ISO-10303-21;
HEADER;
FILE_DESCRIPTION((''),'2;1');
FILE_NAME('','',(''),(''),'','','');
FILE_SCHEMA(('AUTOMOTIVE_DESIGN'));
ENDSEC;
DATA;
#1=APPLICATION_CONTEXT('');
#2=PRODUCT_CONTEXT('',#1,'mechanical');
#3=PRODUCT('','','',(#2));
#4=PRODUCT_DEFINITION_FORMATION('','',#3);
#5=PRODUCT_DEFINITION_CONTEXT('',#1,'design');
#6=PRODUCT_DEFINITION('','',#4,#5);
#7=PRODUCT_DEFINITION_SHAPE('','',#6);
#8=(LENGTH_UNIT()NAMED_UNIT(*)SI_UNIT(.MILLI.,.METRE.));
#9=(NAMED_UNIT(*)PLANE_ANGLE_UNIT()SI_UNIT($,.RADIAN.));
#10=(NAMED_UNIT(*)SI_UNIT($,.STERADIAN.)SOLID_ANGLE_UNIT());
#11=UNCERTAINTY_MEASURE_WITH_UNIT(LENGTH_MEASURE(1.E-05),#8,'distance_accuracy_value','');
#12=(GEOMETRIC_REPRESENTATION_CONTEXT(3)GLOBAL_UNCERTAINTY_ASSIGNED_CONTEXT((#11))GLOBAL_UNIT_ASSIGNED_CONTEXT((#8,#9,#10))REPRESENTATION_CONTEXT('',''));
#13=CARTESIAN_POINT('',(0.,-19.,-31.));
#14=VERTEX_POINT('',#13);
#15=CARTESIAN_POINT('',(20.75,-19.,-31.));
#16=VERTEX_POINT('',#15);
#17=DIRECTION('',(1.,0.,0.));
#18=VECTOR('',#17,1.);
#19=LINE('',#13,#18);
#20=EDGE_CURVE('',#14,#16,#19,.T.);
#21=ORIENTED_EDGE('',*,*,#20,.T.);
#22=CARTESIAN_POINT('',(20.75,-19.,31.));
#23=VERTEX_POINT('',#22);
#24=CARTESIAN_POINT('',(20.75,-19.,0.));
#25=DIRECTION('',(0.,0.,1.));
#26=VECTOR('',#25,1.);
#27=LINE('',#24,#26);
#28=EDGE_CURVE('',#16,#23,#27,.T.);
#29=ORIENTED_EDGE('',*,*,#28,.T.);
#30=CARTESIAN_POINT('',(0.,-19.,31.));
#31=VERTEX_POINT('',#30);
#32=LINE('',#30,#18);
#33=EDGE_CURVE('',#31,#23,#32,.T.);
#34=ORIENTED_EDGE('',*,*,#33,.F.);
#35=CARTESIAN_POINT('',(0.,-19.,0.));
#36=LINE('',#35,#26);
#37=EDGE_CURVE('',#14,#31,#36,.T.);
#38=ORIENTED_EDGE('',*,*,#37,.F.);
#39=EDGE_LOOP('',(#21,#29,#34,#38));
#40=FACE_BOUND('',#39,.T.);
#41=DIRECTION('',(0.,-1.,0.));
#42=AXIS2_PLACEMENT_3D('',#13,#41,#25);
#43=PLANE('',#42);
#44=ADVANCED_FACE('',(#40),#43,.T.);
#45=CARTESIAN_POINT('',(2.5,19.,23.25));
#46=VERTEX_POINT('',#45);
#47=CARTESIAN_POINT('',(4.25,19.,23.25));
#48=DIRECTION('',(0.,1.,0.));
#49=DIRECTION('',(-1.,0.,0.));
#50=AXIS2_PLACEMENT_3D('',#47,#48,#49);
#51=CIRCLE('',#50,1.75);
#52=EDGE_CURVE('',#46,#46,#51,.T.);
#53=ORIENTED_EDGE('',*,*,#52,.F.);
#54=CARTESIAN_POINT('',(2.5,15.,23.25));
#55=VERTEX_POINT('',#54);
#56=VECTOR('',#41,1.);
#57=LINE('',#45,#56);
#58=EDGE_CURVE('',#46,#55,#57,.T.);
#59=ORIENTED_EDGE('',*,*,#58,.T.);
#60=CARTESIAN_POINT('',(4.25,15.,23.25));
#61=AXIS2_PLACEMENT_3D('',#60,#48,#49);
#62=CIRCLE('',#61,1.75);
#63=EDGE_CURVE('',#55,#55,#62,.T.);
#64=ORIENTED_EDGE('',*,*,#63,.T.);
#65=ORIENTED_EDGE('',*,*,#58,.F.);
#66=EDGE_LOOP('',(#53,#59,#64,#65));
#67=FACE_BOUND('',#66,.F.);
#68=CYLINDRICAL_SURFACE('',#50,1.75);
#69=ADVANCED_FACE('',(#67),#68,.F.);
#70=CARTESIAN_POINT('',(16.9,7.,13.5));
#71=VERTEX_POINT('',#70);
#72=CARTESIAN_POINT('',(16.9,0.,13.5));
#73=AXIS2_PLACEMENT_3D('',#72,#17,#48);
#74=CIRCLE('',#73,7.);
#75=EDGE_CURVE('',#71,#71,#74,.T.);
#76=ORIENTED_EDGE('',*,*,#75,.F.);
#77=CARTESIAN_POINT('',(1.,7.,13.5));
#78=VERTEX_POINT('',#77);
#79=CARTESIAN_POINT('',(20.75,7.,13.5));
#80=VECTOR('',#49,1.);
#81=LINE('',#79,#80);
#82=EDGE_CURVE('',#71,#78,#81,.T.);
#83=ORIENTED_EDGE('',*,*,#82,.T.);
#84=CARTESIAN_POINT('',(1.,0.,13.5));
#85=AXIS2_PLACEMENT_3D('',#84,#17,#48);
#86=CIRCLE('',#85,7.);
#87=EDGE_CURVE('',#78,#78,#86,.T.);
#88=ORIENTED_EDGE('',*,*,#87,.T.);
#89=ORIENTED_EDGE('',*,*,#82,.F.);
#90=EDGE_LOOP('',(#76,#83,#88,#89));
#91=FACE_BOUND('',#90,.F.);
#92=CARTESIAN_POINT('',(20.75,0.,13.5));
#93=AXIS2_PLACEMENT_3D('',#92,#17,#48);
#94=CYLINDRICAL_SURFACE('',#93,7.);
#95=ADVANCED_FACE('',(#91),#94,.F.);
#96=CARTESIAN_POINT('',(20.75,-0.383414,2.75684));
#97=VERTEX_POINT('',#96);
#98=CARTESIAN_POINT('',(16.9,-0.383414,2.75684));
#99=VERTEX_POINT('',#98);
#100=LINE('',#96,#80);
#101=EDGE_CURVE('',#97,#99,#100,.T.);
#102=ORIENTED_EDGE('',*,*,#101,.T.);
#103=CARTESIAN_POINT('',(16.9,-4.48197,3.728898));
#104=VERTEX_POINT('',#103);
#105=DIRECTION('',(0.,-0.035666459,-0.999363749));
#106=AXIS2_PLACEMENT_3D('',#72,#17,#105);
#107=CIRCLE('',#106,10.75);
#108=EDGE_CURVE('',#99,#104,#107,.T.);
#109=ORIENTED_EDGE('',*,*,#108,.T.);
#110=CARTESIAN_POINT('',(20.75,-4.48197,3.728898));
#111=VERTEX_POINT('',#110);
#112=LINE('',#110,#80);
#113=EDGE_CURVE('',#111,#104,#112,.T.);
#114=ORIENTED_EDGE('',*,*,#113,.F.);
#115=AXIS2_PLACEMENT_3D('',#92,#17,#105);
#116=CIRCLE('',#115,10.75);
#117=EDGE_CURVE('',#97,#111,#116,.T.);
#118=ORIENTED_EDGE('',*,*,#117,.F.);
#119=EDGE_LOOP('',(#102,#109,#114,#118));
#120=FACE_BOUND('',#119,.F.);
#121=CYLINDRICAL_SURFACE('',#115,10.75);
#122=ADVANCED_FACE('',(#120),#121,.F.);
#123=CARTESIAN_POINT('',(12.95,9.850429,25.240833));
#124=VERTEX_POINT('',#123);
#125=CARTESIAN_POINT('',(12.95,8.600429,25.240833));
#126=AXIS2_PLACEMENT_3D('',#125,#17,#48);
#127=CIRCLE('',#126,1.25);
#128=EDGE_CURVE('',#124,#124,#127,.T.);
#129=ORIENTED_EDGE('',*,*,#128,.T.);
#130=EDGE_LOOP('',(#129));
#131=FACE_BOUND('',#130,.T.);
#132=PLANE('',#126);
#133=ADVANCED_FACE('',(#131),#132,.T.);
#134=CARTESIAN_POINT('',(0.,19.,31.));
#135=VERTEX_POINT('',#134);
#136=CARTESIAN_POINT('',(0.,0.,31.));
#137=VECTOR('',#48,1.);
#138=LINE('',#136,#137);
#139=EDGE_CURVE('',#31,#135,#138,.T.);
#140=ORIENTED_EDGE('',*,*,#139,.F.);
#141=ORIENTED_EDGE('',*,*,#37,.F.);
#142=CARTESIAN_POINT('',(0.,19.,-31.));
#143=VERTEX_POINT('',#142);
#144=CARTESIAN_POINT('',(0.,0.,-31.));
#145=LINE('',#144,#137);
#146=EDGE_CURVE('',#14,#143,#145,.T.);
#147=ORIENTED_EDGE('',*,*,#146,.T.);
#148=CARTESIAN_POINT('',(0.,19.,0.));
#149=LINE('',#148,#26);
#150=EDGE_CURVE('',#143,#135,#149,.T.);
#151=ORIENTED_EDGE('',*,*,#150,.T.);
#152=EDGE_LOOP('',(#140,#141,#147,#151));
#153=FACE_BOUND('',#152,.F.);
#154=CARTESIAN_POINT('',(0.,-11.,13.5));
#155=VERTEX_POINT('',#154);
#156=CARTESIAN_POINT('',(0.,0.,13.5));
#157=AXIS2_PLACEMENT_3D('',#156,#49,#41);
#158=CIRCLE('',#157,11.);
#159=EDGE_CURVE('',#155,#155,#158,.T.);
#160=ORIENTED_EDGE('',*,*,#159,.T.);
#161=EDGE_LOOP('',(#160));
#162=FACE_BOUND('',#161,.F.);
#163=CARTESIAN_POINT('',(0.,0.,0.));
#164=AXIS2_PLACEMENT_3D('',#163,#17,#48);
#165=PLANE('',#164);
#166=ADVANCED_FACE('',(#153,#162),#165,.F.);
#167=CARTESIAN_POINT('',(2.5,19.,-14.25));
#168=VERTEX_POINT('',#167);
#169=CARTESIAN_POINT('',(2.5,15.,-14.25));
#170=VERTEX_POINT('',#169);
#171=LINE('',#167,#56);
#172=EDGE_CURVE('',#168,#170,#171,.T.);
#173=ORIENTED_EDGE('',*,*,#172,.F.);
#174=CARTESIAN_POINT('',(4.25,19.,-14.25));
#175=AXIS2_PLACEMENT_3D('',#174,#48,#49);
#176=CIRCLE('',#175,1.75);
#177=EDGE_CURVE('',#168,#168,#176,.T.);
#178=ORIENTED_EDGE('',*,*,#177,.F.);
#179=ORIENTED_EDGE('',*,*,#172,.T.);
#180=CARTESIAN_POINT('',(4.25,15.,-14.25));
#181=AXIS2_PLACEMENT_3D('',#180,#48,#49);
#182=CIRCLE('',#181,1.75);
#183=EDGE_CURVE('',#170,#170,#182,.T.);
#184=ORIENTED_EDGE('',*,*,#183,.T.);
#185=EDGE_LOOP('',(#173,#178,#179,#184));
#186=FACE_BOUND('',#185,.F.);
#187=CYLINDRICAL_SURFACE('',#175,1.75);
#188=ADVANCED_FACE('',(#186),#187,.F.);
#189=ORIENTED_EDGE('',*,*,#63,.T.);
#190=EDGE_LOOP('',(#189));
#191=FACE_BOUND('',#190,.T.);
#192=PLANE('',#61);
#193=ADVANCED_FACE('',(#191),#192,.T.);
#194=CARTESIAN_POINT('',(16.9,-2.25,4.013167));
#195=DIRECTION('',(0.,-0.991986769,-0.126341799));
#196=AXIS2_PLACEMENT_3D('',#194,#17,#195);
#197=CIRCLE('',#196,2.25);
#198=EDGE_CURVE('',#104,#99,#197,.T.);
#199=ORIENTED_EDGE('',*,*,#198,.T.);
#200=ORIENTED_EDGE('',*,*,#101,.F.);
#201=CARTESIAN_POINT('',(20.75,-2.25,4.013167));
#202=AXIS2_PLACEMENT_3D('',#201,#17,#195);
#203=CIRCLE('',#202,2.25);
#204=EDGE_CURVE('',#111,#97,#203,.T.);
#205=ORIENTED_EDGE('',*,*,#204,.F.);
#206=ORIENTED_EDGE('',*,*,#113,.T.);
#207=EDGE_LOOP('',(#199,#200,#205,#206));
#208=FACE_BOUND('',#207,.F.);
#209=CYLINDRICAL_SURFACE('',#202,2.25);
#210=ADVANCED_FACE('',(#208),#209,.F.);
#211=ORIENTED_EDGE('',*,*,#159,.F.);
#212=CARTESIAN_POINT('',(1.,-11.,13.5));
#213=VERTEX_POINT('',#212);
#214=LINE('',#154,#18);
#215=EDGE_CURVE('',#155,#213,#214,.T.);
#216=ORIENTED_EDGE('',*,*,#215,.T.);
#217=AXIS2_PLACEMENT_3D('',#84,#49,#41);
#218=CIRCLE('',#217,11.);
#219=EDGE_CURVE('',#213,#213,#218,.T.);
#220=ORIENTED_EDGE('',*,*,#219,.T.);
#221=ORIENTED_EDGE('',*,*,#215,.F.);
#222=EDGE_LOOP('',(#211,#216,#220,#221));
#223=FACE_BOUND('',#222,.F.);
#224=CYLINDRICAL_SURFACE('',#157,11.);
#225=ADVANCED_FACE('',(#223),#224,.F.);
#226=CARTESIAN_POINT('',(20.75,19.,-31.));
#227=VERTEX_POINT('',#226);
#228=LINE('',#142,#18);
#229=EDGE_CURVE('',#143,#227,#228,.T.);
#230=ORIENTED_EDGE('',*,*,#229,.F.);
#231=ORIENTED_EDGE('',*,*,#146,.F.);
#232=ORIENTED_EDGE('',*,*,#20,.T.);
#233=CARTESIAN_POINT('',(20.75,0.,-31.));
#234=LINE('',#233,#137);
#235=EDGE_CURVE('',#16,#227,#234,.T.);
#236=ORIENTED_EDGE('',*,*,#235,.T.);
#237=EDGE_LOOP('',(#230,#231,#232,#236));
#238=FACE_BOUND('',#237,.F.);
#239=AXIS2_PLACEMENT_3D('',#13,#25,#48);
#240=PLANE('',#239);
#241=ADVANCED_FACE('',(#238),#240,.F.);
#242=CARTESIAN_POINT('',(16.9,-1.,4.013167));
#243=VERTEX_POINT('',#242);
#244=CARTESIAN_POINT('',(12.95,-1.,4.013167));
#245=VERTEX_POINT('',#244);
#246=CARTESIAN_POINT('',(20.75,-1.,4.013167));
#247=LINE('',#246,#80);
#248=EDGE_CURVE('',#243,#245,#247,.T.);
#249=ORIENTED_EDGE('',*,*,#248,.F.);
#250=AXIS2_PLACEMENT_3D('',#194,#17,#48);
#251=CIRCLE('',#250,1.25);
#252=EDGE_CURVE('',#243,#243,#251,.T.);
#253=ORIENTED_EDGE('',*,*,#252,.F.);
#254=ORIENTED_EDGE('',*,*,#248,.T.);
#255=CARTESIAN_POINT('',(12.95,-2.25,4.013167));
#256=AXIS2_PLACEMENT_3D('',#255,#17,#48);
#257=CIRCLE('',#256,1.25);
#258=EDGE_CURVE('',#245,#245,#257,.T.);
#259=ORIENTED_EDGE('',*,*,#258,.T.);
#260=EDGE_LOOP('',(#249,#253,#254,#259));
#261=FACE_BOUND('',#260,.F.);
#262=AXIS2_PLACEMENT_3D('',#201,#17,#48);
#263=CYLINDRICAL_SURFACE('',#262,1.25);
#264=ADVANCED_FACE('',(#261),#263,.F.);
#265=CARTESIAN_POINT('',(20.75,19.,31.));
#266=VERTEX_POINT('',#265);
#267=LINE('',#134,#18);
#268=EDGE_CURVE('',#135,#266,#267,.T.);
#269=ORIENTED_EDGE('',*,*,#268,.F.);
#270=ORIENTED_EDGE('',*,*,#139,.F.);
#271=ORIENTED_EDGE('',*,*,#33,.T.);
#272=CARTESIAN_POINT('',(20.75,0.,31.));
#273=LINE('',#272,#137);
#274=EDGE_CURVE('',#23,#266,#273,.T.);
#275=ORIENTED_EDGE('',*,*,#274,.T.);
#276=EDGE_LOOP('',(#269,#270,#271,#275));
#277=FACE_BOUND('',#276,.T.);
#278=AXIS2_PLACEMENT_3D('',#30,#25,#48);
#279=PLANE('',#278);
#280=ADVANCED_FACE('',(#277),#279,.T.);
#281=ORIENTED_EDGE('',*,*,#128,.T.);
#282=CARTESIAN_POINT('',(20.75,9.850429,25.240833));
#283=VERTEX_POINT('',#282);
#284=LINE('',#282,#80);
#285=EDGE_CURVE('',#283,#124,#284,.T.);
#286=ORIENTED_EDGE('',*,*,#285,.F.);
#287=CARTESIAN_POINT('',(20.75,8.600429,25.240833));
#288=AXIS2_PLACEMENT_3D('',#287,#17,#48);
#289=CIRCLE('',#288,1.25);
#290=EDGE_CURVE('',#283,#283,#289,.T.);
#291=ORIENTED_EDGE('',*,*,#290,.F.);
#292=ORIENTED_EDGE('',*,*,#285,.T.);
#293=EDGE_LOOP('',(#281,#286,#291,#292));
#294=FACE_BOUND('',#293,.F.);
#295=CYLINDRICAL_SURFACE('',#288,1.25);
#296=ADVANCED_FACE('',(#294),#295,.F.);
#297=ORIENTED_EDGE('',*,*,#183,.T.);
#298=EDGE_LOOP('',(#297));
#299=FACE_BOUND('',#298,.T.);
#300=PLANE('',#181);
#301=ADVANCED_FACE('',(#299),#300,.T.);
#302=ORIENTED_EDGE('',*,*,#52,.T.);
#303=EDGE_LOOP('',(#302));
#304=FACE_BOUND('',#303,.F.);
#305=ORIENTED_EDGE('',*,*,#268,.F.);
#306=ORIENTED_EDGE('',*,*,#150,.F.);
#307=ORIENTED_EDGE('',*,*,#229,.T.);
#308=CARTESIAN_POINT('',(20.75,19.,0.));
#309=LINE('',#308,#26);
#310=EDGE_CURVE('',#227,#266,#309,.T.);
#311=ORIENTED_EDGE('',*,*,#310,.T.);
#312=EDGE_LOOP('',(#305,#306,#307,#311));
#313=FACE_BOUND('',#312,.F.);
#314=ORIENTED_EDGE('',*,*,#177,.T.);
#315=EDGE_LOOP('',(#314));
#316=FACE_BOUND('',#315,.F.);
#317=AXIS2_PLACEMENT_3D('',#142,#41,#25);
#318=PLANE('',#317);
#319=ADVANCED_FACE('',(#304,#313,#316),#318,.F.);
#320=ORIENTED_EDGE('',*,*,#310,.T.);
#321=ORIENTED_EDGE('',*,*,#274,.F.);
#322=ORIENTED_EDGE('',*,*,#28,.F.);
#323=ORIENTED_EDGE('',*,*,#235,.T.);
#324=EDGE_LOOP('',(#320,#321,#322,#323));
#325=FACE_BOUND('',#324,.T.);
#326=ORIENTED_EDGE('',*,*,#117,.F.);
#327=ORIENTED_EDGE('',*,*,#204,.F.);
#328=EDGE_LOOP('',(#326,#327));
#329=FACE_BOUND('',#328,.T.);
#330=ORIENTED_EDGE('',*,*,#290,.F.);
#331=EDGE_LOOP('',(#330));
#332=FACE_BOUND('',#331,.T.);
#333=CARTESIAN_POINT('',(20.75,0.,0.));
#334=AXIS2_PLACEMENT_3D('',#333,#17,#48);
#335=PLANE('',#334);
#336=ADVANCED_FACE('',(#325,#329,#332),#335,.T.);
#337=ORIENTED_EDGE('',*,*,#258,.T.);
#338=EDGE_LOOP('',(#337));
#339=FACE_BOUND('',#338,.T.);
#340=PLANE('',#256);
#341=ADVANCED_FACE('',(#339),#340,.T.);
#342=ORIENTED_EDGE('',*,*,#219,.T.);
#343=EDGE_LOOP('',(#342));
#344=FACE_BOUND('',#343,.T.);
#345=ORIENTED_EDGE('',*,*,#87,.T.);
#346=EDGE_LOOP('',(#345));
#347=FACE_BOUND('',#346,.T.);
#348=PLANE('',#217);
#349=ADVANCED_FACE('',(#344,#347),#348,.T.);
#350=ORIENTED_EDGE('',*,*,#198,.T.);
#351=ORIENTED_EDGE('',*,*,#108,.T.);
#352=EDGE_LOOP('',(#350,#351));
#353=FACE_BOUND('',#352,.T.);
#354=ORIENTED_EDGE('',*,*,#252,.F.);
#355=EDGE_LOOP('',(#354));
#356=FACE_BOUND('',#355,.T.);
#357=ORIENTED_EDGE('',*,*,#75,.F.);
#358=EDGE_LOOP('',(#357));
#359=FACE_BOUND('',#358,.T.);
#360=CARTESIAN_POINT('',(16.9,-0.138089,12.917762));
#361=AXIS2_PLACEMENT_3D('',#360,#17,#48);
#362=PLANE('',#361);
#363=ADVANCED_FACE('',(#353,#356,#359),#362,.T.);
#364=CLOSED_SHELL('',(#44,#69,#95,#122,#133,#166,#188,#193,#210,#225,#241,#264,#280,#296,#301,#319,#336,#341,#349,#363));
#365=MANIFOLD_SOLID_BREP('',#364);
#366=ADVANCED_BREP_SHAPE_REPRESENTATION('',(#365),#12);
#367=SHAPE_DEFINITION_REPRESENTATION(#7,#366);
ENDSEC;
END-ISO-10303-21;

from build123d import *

# Parameters (mm, degrees)
F0_W     = 38
F0_H     = 62
F1_DEPTH = 20.75
F2_R     = 1.25
F2_R_2   = 7
F3_DEPTH = 3.85
F4_DEPTH = 7.8
F5_DEPTH = 20.751
F6_R     = 11
F6_R_2   = 7
F7_DEPTH = 1
F8_R     = 1.75
F9_DEPTH = 4


with BuildPart() as f1:
    # F0 (on Right) → F1 (new body)
    with BuildSketch(Plane.YZ):
        Rectangle(F0_W, F0_H)
    extrude(amount=F1_DEPTH)

    # F2 (on face) → F3 (cut)
    with BuildSketch(Plane.YZ.offset(20.75)):
        with BuildLine():
            ThreePointArc((-4.48197, 3.728898), (-2.769231, 1.823898), (-0.383414, 2.75684))
            ThreePointArc((-0.383414, 2.75684), (2.480769, 23.959841), (-4.48197, 3.728898))
        make_face()
        with Locations((-2.25, 4.013167)):
            Circle(F2_R, mode=Mode.SUBTRACT)
        with Locations((0, 13.5)):
            Circle(F2_R_2, mode=Mode.SUBTRACT)
    extrude(amount=-F3_DEPTH, mode=Mode.SUBTRACT)

    # F2 (on face) → F4 (cut)
    with BuildSketch(Plane.YZ.offset(20.75)):
        with Locations((-2.25, 4.013167)):
            Circle(F2_R)
        with Locations((8.600429, 25.240833)):
            Circle(F2_R)
    extrude(amount=-F4_DEPTH, mode=Mode.SUBTRACT)

    # F2 (on face) → F5 (cut, through all)
    with BuildSketch(Plane.YZ.offset(20.75)):
        with Locations((0, 13.5)):
            Circle(F2_R_2)
    extrude(amount=-F5_DEPTH, mode=Mode.SUBTRACT)

    # F6 (on face) → F7 (cut)
    with BuildSketch(Plane(origin=(0, 0, 0), x_dir=(0, -1, 0), z_dir=(-1, 0, 0))):
        with Locations((0, 13.5)):
            Circle(F6_R)
        with Locations((0, 13.5)):
            Circle(F6_R_2, mode=Mode.SUBTRACT)
    extrude(amount=-F7_DEPTH, mode=Mode.SUBTRACT)

    # F8 (on face) → F9 (cut)
    with BuildSketch(Plane(origin=(0, 19, 0), x_dir=(-1, 0, 0), z_dir=(0, 1, 0))):
        with Locations((-4.25, 23.25)):
            Circle(F8_R)
        with Locations((-4.25, -14.25)):
            Circle(F8_R)
    extrude(amount=-F9_DEPTH, mode=Mode.SUBTRACT)


solid = f1.part
